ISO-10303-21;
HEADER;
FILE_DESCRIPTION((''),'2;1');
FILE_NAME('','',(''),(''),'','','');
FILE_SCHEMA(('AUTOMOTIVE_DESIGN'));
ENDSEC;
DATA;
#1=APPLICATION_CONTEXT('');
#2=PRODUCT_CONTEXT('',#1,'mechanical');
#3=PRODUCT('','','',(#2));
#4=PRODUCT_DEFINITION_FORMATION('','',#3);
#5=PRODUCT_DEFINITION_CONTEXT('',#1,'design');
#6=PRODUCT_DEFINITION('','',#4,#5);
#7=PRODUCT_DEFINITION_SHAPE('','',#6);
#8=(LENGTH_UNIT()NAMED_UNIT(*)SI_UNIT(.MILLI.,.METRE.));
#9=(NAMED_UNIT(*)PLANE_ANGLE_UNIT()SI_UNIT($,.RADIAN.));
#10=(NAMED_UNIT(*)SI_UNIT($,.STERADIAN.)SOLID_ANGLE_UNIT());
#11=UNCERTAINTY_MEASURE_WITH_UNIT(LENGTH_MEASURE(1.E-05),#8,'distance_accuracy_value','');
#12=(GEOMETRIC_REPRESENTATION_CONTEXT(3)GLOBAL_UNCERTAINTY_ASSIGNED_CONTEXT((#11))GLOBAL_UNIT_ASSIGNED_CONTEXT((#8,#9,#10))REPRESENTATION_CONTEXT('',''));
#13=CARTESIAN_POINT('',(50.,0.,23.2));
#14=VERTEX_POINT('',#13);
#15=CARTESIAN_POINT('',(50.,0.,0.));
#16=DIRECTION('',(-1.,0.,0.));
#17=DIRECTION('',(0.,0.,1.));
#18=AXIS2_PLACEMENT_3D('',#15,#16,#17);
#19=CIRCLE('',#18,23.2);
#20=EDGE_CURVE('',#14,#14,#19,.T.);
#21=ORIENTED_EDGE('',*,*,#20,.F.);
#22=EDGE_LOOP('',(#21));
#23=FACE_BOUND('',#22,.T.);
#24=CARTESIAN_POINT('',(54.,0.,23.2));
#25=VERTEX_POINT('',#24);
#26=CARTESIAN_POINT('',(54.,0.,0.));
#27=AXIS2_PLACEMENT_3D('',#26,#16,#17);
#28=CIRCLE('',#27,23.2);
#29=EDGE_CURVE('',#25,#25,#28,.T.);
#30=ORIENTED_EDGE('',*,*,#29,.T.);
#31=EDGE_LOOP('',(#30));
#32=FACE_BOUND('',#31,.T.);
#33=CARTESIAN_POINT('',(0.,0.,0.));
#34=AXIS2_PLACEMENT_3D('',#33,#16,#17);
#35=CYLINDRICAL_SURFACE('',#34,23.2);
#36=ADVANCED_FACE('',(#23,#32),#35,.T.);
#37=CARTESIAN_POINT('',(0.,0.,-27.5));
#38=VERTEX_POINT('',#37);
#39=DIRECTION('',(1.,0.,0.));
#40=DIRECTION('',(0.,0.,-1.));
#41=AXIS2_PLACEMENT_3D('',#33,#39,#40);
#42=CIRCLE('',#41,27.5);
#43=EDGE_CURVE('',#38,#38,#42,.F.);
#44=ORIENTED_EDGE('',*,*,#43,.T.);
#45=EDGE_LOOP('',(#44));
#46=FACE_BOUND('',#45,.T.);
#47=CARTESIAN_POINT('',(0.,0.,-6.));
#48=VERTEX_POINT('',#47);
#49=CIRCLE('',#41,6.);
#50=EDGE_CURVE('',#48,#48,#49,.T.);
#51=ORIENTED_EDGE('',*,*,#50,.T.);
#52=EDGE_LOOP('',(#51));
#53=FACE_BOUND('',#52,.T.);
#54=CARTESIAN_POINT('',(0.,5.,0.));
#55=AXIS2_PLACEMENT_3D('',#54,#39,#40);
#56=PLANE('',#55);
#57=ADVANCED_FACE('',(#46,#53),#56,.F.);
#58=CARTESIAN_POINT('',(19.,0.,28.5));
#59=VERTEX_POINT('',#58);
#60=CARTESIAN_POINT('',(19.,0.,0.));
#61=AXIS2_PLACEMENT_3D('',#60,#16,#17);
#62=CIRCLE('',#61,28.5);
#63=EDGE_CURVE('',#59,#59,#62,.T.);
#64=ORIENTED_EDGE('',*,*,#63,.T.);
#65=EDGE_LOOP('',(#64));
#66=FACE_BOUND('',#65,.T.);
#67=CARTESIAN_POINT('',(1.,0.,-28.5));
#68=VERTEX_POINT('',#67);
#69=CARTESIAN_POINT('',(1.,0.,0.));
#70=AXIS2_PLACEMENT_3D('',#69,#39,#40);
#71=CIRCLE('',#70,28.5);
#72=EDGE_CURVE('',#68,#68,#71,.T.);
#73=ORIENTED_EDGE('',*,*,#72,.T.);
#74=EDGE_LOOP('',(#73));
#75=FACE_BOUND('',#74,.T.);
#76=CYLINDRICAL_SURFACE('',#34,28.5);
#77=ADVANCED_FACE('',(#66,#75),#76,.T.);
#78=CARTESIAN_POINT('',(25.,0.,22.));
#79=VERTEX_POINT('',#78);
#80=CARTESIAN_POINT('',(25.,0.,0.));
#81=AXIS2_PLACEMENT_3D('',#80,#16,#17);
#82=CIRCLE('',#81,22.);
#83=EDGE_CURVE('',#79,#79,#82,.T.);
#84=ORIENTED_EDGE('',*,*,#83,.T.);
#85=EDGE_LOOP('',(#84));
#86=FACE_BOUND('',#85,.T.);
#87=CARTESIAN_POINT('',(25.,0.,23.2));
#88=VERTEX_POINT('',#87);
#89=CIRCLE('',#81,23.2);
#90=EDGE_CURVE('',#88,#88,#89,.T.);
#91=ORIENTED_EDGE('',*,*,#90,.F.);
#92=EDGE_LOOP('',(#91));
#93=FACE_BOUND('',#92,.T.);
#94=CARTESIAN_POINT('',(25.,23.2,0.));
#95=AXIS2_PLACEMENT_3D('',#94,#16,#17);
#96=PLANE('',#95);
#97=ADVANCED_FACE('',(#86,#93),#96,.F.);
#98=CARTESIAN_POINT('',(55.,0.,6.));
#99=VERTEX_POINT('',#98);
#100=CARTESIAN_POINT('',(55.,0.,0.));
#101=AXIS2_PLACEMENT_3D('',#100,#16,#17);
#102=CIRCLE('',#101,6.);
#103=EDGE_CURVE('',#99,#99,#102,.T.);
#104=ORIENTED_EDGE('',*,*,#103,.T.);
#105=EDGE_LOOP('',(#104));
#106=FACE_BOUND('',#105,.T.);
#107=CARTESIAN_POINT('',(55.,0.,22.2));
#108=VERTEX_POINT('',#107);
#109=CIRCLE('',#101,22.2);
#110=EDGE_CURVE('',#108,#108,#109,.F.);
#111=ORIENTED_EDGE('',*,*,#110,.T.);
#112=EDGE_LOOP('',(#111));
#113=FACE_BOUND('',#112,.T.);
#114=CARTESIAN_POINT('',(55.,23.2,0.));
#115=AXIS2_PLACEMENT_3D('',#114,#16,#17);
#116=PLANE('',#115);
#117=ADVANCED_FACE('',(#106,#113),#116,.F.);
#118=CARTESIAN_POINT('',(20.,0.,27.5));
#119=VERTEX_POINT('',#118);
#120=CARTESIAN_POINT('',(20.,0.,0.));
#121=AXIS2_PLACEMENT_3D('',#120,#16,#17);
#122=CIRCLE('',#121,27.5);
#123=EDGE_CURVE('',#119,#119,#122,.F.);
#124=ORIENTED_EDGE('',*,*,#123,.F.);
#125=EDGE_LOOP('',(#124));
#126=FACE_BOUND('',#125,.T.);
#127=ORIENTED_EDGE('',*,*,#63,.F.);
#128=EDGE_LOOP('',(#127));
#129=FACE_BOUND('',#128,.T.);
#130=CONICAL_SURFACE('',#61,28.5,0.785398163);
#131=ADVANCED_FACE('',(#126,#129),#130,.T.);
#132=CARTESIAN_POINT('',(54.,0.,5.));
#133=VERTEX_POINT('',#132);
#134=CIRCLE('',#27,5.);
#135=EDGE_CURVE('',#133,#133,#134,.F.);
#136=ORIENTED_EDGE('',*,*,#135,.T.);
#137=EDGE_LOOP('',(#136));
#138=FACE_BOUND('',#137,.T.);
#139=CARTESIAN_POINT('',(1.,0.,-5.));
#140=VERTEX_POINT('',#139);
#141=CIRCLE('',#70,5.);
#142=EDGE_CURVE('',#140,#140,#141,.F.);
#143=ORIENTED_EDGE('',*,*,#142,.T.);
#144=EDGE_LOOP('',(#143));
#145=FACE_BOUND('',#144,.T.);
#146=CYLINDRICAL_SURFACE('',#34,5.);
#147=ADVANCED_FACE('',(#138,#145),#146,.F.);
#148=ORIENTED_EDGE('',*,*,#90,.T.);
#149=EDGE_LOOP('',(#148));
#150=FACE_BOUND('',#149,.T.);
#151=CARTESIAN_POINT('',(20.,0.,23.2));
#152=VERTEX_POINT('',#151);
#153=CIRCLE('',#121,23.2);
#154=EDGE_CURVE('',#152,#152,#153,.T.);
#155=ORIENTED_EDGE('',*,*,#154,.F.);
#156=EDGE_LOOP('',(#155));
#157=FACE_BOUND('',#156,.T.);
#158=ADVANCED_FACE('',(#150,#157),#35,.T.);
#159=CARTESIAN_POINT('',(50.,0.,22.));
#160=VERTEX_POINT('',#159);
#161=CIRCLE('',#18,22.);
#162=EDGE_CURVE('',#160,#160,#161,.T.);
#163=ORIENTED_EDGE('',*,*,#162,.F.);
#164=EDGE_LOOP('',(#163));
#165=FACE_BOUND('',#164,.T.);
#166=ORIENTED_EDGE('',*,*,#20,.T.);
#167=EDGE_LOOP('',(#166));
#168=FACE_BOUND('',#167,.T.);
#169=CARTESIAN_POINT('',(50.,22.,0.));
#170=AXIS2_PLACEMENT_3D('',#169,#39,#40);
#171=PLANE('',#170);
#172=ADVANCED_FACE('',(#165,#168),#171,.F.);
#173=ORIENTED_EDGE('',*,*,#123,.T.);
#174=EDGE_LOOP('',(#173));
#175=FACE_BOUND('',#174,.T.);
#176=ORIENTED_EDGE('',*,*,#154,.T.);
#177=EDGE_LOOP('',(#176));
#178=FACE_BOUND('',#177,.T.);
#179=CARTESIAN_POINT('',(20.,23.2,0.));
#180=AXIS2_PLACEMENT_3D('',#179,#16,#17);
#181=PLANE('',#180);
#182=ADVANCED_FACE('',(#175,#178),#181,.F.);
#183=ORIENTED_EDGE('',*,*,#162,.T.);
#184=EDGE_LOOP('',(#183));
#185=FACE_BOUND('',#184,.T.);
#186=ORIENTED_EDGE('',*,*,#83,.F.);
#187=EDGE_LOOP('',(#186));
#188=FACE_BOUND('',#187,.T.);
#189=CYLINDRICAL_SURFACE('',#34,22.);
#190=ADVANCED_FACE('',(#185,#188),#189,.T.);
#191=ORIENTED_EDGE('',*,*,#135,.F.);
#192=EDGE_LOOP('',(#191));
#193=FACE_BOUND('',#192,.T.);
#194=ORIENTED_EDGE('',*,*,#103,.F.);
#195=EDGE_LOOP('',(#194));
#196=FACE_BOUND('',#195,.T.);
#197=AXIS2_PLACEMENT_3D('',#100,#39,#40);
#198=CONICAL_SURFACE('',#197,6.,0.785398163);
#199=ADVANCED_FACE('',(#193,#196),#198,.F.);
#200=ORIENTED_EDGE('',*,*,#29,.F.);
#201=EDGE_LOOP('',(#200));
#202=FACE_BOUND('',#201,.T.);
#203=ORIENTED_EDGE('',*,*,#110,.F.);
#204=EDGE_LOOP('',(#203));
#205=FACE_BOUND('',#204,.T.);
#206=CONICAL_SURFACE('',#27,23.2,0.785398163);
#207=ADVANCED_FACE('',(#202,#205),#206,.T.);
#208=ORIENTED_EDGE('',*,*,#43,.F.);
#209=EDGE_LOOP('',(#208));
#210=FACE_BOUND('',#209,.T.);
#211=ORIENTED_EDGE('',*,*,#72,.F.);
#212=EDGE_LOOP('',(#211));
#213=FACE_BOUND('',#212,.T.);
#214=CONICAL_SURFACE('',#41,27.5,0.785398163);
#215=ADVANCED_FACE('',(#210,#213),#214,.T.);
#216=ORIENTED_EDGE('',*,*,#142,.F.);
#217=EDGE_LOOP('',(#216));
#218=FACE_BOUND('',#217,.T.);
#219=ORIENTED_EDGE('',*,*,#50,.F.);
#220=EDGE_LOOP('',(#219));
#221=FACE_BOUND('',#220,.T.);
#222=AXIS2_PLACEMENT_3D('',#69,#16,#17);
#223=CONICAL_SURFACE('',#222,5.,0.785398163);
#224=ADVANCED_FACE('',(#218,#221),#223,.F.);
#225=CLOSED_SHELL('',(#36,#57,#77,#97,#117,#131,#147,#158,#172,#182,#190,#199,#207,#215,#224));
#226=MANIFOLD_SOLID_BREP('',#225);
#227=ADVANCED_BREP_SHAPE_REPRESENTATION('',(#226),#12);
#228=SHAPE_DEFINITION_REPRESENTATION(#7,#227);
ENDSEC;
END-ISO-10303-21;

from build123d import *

# Parameters (mm, degrees)
CHAMFER_4_SIZE = 1


with BuildPart() as part:
    # Эскиз1 → Повернуть1 (revolve)
    with BuildSketch(Plane.XY, mode=Mode.PRIVATE) as revolve_1_sk:
        Polygon((0, 5), (0, 28.5), (20, 28.5), (20, 23.2), (25, 23.2), (25, 22), (50, 22), (50, 23.2), (55, 23.2), (55, 5), align=None)
    revolve(revolve_1_sk.sketch.rotate(Axis((0, 0, 0), (1, 0, 0)), 90), axis=Axis((0, 0, 0), (1, 0, 0)))

    # Фаска4
    chamfer_4_edges = [part.edges().sort_by_distance(p)[0] for p in [
        (55, 0, -23.2),
        (55, 0, -5),
        (0, 0, -5),
        (0, 0, -28.5),
        (20, 0, -28.5),
    ]]
    chamfer(chamfer_4_edges, length=CHAMFER_4_SIZE)


solid = part.part
